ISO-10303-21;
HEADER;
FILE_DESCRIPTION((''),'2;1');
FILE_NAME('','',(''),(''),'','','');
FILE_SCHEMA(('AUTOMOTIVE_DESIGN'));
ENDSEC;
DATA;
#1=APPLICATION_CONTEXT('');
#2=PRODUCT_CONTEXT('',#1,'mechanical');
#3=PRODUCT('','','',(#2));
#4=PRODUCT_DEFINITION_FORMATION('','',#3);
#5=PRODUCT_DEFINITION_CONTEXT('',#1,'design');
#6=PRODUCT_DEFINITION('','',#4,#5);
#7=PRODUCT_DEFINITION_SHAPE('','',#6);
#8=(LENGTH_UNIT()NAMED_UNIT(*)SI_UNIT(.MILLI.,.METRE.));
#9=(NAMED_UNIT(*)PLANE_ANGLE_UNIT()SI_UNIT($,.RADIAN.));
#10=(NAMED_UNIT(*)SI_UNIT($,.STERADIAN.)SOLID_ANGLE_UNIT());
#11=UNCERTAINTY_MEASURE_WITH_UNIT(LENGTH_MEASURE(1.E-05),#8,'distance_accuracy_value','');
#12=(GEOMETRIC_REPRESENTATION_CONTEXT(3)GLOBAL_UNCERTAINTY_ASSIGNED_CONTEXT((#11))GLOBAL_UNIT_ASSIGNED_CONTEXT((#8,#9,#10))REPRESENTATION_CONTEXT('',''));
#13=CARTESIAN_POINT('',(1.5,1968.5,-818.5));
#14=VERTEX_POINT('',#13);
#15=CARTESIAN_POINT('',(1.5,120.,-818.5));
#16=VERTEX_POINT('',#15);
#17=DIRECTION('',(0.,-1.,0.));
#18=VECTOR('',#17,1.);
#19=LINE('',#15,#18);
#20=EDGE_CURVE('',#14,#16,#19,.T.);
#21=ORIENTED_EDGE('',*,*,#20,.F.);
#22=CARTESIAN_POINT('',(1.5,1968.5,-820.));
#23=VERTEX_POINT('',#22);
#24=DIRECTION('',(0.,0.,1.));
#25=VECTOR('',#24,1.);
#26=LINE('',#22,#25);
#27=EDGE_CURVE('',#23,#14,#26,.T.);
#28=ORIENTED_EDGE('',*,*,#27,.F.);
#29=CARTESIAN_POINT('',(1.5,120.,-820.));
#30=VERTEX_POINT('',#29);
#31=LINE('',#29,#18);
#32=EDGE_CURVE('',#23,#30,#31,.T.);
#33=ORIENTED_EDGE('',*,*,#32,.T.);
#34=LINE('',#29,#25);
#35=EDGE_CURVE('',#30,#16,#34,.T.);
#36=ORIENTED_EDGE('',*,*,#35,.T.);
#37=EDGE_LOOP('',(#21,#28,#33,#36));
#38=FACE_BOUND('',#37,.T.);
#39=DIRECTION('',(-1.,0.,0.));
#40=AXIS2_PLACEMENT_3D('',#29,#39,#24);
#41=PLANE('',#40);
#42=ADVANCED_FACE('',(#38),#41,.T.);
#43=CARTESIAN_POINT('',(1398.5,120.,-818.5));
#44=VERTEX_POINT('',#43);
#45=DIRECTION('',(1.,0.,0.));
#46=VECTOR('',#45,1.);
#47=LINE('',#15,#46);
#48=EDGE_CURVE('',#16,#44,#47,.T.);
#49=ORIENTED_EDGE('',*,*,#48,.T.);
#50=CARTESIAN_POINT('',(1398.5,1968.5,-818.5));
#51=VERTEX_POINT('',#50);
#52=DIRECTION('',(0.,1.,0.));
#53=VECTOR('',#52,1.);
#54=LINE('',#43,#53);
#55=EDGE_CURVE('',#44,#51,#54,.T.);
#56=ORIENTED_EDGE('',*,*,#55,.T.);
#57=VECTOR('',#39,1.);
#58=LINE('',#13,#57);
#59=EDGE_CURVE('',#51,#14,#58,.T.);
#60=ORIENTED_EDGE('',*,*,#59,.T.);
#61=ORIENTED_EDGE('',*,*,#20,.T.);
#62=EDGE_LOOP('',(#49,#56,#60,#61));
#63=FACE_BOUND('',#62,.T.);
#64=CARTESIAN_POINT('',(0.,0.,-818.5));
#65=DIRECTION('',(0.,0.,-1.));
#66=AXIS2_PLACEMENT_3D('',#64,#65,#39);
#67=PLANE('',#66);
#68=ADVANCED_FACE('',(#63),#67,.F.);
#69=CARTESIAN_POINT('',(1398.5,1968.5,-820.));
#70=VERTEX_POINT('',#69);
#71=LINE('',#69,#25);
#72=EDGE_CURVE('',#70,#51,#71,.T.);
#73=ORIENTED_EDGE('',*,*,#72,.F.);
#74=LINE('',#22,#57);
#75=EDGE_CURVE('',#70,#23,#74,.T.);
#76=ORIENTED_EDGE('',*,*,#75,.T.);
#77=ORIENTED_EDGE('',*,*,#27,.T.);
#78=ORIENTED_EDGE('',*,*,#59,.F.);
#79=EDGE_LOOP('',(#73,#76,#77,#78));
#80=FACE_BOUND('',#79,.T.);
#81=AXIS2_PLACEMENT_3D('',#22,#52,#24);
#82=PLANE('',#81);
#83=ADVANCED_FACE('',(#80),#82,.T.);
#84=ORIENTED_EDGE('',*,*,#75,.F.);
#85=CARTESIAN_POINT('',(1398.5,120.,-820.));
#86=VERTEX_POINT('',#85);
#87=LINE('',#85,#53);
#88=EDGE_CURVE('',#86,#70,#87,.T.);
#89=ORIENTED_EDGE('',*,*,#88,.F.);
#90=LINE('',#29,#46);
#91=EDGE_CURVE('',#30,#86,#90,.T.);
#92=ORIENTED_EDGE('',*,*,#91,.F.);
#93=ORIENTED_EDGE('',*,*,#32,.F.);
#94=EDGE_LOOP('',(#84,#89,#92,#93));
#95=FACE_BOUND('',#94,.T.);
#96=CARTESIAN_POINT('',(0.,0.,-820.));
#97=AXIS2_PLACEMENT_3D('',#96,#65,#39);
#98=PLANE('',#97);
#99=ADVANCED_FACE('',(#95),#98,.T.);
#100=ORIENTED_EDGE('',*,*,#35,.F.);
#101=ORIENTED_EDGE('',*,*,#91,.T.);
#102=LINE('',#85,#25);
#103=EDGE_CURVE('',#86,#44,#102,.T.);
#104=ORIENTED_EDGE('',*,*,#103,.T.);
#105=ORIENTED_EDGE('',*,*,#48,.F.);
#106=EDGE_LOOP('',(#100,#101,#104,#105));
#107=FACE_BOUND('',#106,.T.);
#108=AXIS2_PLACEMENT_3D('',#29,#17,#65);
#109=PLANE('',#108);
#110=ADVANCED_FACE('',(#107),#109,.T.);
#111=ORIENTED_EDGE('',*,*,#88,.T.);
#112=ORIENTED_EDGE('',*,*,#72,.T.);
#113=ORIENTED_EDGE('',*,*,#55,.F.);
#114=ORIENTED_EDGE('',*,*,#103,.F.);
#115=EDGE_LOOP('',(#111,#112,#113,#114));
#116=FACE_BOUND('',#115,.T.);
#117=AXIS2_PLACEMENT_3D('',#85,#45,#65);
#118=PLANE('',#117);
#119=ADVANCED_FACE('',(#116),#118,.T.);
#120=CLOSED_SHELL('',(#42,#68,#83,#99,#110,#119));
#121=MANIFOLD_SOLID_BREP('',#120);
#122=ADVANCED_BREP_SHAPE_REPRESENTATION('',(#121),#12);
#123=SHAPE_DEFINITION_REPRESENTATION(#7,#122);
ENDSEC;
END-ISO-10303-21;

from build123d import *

# Parameters (mm, degrees)
STORE_DIS_ARKA_1_START = -818.5
SKETCH1_W              = 1397
SKETCH1_H              = 1848.5
STORE_DIS_ARKA_1_DEPTH = 1.5


with BuildPart() as part:
    # Sketch1 → STORE_dis_arka_1 (new body)
    with BuildSketch(Plane.XY.offset(STORE_DIS_ARKA_1_START)):
        with Locations((700, 1044.25)):
            Rectangle(SKETCH1_W, SKETCH1_H)
    extrude(amount=-STORE_DIS_ARKA_1_DEPTH)


solid = part.part
